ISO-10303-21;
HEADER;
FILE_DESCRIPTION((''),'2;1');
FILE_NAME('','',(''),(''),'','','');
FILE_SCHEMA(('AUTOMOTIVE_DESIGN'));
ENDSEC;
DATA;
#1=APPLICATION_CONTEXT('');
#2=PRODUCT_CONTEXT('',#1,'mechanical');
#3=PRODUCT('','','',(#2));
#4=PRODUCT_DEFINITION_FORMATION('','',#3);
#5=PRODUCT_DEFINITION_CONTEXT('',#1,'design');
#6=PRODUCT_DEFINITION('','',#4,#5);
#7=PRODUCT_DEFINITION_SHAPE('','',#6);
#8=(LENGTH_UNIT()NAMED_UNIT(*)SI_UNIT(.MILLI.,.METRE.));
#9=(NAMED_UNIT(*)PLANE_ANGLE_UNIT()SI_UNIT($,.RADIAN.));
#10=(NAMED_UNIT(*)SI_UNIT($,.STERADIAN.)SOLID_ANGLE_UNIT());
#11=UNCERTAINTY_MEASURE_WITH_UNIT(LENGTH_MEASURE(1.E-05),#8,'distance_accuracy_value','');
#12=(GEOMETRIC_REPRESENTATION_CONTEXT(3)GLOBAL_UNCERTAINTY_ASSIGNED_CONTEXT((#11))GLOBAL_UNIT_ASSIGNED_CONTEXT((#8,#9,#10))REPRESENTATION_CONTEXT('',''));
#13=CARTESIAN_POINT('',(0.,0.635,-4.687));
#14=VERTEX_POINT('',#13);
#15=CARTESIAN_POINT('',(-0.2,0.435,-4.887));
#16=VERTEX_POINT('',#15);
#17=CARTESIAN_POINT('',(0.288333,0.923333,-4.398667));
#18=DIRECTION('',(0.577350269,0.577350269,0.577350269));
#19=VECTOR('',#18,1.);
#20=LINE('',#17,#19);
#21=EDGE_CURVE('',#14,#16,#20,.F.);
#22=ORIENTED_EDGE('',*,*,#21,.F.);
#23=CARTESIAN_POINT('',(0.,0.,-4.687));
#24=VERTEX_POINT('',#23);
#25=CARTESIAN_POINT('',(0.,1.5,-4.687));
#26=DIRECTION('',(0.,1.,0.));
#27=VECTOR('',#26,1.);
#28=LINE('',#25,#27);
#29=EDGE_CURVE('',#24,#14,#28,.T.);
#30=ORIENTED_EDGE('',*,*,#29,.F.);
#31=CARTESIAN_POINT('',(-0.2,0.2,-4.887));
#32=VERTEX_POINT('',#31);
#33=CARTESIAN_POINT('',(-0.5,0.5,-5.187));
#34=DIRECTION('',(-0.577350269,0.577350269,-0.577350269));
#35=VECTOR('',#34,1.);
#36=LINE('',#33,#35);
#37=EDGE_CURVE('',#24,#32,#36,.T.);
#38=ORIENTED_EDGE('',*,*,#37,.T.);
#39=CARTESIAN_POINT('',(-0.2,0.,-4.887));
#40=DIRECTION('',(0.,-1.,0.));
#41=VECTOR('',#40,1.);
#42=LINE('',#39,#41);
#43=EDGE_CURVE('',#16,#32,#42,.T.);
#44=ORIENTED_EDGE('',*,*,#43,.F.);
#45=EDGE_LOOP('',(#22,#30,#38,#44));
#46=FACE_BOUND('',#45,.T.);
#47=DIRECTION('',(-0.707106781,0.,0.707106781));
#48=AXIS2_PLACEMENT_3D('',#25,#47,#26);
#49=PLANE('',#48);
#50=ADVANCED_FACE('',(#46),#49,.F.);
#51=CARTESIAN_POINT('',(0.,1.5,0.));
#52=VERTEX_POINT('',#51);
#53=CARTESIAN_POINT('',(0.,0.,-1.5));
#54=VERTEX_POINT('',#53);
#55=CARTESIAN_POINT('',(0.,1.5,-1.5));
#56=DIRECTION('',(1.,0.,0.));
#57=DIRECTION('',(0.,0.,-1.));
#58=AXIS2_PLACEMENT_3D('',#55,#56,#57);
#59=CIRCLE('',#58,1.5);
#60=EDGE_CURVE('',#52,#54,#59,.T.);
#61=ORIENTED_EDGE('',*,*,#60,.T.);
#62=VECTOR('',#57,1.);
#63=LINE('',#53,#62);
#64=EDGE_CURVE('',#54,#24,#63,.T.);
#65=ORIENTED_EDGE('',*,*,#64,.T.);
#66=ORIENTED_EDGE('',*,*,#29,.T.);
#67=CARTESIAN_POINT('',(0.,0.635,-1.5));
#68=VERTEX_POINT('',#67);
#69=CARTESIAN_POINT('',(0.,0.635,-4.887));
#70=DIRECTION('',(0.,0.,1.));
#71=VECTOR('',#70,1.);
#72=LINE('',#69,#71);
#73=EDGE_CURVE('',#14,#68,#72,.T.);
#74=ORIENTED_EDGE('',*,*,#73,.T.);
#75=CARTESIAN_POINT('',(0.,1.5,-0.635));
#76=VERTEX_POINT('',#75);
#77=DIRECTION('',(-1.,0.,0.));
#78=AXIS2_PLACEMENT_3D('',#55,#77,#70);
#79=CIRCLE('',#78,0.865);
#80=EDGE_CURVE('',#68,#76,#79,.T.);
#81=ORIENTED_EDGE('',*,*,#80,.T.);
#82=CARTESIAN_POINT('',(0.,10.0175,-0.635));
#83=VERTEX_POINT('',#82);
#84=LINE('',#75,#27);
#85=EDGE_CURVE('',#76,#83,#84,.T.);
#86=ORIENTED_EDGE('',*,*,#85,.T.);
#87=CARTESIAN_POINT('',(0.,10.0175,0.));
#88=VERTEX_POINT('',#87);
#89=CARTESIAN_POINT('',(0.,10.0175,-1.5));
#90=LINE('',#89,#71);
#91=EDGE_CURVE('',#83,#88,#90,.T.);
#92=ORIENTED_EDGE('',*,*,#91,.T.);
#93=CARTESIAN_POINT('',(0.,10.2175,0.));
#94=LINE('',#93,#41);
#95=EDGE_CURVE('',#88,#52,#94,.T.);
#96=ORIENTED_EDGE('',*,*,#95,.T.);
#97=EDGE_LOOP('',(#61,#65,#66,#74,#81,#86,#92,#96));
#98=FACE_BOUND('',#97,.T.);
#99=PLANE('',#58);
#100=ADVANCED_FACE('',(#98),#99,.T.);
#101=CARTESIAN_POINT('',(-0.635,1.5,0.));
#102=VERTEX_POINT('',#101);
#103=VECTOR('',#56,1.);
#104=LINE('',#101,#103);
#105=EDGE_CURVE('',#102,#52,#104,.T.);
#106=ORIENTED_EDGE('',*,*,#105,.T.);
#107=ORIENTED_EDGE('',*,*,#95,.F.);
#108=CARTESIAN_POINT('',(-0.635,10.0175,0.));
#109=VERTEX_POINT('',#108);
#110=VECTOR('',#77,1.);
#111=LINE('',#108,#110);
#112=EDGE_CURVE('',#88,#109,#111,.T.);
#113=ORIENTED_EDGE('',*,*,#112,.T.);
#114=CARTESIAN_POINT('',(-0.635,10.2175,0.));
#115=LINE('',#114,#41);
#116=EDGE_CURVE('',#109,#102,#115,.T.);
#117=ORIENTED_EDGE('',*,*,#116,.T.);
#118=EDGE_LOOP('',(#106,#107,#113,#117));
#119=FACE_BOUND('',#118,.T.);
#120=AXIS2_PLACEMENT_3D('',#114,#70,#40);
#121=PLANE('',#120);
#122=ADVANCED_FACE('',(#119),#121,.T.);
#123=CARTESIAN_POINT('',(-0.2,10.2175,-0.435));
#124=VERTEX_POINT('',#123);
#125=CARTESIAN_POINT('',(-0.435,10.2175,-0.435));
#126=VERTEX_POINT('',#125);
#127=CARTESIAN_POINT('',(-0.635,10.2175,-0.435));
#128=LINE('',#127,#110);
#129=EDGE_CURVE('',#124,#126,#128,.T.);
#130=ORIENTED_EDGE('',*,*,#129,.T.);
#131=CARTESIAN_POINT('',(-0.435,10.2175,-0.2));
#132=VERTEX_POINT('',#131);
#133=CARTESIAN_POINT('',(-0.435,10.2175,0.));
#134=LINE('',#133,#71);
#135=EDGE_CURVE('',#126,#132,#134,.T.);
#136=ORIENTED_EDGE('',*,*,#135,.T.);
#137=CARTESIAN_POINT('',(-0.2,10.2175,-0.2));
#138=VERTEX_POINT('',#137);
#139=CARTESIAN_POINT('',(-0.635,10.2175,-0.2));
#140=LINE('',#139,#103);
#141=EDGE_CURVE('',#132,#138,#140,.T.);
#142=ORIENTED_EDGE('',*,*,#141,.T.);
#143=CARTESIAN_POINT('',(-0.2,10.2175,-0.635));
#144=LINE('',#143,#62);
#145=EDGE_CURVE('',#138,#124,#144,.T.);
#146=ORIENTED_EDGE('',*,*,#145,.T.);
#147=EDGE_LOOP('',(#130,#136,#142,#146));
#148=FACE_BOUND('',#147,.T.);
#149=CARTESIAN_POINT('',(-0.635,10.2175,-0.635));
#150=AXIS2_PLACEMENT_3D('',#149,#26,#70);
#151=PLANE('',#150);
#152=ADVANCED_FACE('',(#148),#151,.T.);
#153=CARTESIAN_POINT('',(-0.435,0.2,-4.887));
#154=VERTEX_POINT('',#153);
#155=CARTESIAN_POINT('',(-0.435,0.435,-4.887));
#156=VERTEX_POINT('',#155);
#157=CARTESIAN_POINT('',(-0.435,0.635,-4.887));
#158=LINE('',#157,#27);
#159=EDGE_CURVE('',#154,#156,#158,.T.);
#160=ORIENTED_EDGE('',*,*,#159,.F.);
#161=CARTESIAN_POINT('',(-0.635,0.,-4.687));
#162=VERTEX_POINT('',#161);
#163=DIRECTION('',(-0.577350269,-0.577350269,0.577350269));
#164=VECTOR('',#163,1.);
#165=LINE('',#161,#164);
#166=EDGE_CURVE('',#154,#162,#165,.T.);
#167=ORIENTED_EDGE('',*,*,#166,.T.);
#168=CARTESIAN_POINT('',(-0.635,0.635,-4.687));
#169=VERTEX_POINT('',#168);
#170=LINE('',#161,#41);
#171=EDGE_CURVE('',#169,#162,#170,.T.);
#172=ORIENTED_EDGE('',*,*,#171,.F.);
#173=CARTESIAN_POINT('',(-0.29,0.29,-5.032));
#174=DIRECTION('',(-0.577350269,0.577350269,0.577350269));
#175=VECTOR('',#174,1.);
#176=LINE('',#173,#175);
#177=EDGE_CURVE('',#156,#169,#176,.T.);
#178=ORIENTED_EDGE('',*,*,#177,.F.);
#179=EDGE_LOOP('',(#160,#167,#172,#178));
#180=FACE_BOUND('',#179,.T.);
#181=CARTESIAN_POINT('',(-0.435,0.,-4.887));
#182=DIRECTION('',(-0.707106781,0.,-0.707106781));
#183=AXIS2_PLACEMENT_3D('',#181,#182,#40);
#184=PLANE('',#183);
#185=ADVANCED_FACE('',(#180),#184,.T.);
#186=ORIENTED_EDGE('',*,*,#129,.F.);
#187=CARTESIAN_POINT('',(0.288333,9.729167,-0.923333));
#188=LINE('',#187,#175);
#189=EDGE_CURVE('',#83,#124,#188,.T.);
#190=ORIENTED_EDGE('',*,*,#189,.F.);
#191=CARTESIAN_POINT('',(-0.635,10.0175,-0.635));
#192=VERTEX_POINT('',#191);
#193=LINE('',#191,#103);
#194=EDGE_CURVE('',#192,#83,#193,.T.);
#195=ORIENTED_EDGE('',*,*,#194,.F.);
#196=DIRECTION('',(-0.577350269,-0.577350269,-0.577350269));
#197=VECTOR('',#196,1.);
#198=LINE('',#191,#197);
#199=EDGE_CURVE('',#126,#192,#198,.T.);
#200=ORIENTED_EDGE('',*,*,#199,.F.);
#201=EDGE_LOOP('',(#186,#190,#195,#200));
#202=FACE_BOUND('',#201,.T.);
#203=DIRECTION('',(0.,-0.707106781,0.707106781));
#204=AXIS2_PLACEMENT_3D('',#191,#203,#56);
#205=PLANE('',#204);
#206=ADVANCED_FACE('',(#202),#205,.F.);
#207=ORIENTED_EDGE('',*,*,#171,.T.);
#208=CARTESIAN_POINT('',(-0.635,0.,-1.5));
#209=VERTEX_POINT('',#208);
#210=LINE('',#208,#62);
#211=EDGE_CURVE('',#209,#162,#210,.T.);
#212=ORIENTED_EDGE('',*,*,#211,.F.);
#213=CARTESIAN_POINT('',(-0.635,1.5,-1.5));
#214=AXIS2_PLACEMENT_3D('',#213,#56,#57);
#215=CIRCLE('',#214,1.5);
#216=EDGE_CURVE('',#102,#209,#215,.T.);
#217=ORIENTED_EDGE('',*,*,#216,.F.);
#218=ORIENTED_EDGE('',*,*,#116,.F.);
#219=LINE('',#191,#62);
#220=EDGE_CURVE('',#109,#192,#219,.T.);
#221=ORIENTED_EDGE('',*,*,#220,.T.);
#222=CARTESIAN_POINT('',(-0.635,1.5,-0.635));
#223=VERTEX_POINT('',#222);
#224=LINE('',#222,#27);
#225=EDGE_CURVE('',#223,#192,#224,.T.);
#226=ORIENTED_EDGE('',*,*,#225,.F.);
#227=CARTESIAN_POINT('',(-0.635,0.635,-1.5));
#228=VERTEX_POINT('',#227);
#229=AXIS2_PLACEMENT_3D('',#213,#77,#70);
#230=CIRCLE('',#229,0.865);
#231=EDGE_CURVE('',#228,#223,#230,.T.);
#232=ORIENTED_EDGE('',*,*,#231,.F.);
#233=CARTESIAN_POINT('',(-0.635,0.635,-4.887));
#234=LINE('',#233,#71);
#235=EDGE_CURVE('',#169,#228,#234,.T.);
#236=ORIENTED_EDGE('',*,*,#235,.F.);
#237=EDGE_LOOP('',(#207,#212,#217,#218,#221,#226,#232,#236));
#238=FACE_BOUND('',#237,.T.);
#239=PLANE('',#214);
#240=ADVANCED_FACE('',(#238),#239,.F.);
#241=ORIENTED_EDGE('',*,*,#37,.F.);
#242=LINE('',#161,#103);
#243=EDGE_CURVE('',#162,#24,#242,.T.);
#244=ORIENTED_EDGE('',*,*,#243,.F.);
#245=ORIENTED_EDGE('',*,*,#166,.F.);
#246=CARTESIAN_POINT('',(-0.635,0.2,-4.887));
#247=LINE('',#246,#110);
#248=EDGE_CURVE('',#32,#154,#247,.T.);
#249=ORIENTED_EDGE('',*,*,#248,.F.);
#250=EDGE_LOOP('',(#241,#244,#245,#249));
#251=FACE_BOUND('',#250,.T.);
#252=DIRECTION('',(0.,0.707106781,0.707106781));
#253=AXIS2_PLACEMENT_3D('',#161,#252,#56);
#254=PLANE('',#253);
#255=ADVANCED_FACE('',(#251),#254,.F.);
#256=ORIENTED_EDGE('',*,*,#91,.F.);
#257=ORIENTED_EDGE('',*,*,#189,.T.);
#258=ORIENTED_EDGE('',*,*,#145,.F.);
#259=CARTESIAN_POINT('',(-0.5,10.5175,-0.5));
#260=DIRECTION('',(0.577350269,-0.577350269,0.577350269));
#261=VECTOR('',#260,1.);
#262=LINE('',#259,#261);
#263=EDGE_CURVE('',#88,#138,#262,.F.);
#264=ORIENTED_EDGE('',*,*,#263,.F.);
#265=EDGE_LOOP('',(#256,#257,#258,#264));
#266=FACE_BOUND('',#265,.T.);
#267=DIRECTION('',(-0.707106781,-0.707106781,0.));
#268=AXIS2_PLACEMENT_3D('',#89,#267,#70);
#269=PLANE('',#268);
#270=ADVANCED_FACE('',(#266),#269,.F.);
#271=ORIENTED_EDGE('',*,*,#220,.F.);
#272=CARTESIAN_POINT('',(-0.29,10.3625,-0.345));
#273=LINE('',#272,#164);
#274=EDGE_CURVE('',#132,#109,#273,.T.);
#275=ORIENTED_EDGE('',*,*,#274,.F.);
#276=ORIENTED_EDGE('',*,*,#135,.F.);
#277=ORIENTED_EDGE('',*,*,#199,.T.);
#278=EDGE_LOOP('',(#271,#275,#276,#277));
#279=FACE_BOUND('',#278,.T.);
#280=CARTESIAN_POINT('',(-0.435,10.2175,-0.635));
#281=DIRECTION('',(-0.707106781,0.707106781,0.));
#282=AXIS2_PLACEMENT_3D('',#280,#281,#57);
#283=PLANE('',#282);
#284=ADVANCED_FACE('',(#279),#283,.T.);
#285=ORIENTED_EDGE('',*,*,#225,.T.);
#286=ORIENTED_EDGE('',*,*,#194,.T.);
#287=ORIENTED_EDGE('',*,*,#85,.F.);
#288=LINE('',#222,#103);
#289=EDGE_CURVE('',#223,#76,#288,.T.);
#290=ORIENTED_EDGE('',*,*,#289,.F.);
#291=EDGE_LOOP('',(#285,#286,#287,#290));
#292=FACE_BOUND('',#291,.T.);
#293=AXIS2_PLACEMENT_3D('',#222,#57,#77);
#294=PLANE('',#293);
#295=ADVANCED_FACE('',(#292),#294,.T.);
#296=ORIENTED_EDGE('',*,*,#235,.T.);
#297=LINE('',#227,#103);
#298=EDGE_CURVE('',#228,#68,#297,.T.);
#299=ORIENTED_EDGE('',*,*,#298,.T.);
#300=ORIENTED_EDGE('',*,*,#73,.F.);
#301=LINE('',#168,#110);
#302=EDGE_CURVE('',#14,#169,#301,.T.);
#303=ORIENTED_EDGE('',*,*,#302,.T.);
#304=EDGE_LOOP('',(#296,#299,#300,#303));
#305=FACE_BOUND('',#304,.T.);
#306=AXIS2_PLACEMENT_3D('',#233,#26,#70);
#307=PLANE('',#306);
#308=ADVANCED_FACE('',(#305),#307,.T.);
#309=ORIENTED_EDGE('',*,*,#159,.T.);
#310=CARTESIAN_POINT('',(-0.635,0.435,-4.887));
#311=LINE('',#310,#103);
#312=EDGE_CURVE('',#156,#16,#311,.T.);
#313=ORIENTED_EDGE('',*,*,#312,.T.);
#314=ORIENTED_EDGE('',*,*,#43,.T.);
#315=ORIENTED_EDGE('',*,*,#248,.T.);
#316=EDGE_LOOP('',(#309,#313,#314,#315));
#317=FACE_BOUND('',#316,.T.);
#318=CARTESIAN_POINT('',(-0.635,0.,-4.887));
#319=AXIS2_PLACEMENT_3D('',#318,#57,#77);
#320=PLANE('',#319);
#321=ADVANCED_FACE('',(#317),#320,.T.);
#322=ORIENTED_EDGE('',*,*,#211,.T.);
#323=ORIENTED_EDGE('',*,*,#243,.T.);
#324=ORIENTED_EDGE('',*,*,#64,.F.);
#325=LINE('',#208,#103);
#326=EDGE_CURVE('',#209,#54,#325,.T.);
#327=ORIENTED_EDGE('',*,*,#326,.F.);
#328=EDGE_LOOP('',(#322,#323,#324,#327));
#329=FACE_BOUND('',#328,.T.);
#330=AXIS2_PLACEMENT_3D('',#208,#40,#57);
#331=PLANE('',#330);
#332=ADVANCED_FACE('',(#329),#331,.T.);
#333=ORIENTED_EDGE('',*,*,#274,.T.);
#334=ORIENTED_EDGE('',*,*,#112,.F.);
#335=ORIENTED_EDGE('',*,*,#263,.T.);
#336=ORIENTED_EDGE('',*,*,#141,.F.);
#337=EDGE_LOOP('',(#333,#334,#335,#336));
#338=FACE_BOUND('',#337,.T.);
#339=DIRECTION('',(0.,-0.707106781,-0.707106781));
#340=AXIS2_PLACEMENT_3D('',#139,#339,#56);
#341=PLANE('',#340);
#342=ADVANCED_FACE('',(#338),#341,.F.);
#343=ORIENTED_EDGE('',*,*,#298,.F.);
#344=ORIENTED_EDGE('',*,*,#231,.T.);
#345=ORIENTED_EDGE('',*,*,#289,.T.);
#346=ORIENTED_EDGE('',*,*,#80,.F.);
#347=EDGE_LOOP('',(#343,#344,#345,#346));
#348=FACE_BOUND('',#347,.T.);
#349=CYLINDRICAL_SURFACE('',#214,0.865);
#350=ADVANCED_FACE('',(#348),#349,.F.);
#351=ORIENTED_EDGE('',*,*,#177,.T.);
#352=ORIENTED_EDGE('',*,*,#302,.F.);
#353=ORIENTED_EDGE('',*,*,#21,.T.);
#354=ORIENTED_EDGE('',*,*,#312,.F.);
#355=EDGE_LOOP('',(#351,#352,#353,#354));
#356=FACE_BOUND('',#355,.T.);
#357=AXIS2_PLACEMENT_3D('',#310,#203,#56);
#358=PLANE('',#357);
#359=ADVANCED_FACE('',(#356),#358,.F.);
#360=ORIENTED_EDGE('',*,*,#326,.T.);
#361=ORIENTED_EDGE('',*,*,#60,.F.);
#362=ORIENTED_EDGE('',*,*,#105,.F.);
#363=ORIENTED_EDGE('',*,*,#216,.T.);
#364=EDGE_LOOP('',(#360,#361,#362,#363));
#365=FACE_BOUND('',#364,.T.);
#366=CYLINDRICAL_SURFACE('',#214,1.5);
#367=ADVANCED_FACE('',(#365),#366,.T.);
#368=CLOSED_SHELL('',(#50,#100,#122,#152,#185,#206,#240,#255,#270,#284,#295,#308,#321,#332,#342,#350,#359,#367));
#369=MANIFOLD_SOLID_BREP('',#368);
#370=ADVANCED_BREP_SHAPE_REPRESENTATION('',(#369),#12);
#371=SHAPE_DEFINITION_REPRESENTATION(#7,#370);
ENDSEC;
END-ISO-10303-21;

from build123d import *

# Parameters (mm, degrees)
BOSS_EXTRUDE1_DEPTH = 0.635
CHAMFER1_SIZE       = 0.2


with BuildPart() as part:
    # Sketch1 → Boss-Extrude1 (new body)
    with BuildSketch(Plane(origin=(0, 0, 0), x_dir=(0, 0, -1), z_dir=(1, 0, 0))):
        with BuildLine():
            Line((0.635, 1.5), (0.635, 10.2175))
            Line((0.635, 10.2175), (0, 10.2175))
            Line((0, 10.2175), (0, 1.5))
            ThreePointArc((0, 1.5), (0.439339828, 0.439339828), (1.5, 0))
            Line((1.5, 0), (4.887, 0))
            Line((4.887, 0), (4.887, 0.635))
            Line((4.887, 0.635), (1.5, 0.635))
            ThreePointArc((1.5, 0.635), (0.888352634, 0.888352634), (0.635, 1.5))
        make_face()
    extrude(amount=-BOSS_EXTRUDE1_DEPTH)

    # Chamfer1
    chamfer1_edges = [part.edges().sort_by_distance(p)[0] for p in [
        (-0.635, 0.3175, -4.887),
        (-0.3175, 10.2175, 0),
        (-0.3175, 10.2175, -0.635),
        (-0.3175, 0.635, -4.887),
        (-0.3175, 0, -4.887),
        (-0.635, 10.2175, -0.3175),
        (0, 10.2175, -0.3175),
        (0, 0.3175, -4.887),
    ]]
    chamfer(chamfer1_edges, length=CHAMFER1_SIZE)


solid = part.part
